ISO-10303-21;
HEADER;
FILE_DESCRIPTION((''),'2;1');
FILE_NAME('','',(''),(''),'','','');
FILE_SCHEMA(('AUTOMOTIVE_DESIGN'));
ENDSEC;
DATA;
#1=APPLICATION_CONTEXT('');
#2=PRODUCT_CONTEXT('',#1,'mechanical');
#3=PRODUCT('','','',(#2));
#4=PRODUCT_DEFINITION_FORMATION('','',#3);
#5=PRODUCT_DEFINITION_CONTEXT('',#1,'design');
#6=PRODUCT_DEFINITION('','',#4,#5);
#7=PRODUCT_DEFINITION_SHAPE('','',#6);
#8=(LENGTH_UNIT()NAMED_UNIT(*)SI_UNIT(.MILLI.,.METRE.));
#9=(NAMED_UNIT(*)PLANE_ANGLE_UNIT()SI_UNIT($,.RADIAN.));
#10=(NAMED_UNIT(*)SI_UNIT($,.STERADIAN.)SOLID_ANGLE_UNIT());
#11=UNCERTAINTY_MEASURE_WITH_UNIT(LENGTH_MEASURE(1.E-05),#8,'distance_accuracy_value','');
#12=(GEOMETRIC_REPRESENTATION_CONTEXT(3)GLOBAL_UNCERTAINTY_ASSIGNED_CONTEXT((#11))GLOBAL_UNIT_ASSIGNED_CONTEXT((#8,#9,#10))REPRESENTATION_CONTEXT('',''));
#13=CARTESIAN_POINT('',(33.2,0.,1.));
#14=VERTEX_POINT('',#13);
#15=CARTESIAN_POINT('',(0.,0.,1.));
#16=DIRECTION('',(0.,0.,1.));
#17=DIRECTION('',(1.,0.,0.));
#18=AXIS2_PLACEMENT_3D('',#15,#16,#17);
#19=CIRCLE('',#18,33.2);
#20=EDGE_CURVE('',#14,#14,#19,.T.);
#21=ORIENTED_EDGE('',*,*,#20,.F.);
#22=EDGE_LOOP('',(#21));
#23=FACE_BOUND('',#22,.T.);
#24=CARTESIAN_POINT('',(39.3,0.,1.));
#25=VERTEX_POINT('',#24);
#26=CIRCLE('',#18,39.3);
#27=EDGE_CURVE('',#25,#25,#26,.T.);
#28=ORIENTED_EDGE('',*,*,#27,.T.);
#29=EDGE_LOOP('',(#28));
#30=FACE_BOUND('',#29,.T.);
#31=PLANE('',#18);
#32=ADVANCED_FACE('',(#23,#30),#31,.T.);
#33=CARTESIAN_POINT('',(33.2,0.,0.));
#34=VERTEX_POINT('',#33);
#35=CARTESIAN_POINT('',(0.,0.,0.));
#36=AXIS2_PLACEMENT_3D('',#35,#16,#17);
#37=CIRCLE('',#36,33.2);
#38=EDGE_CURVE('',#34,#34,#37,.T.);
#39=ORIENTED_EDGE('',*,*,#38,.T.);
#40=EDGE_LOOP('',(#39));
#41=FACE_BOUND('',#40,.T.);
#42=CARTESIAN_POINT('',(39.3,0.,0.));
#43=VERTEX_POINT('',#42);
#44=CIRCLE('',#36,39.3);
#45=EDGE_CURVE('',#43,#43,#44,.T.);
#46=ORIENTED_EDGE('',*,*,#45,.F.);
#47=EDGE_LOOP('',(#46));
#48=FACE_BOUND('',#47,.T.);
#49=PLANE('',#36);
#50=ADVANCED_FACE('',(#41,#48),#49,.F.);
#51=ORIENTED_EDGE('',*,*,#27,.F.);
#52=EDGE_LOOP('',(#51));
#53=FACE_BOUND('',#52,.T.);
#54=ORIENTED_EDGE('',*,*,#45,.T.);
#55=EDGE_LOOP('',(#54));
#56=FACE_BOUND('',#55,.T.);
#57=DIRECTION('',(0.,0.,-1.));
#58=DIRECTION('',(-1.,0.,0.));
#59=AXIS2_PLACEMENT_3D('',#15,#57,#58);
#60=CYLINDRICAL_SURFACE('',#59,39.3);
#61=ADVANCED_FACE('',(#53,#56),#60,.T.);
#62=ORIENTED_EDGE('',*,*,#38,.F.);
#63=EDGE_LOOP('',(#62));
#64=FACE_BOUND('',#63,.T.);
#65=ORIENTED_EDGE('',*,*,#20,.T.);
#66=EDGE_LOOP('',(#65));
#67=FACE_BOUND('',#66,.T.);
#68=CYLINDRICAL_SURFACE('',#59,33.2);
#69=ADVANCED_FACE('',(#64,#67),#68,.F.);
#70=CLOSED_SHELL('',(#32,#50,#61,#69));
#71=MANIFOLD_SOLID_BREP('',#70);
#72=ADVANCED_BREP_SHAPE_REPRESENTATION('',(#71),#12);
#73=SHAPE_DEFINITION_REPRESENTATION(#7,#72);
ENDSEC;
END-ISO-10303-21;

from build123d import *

# Parameters (mm, degrees)
ESQUISSE1_R        = 39.3
ESQUISSE1_R_2      = 33.2
BOSS_EXTRU_1_DEPTH = 1


with BuildPart() as part:
    # Esquisse1 → Boss.-Extru.1 (new body)
    with BuildSketch(Plane.XY):
        Circle(ESQUISSE1_R)
        Circle(ESQUISSE1_R_2, mode=Mode.SUBTRACT)
    extrude(amount=BOSS_EXTRU_1_DEPTH)


solid = part.part
